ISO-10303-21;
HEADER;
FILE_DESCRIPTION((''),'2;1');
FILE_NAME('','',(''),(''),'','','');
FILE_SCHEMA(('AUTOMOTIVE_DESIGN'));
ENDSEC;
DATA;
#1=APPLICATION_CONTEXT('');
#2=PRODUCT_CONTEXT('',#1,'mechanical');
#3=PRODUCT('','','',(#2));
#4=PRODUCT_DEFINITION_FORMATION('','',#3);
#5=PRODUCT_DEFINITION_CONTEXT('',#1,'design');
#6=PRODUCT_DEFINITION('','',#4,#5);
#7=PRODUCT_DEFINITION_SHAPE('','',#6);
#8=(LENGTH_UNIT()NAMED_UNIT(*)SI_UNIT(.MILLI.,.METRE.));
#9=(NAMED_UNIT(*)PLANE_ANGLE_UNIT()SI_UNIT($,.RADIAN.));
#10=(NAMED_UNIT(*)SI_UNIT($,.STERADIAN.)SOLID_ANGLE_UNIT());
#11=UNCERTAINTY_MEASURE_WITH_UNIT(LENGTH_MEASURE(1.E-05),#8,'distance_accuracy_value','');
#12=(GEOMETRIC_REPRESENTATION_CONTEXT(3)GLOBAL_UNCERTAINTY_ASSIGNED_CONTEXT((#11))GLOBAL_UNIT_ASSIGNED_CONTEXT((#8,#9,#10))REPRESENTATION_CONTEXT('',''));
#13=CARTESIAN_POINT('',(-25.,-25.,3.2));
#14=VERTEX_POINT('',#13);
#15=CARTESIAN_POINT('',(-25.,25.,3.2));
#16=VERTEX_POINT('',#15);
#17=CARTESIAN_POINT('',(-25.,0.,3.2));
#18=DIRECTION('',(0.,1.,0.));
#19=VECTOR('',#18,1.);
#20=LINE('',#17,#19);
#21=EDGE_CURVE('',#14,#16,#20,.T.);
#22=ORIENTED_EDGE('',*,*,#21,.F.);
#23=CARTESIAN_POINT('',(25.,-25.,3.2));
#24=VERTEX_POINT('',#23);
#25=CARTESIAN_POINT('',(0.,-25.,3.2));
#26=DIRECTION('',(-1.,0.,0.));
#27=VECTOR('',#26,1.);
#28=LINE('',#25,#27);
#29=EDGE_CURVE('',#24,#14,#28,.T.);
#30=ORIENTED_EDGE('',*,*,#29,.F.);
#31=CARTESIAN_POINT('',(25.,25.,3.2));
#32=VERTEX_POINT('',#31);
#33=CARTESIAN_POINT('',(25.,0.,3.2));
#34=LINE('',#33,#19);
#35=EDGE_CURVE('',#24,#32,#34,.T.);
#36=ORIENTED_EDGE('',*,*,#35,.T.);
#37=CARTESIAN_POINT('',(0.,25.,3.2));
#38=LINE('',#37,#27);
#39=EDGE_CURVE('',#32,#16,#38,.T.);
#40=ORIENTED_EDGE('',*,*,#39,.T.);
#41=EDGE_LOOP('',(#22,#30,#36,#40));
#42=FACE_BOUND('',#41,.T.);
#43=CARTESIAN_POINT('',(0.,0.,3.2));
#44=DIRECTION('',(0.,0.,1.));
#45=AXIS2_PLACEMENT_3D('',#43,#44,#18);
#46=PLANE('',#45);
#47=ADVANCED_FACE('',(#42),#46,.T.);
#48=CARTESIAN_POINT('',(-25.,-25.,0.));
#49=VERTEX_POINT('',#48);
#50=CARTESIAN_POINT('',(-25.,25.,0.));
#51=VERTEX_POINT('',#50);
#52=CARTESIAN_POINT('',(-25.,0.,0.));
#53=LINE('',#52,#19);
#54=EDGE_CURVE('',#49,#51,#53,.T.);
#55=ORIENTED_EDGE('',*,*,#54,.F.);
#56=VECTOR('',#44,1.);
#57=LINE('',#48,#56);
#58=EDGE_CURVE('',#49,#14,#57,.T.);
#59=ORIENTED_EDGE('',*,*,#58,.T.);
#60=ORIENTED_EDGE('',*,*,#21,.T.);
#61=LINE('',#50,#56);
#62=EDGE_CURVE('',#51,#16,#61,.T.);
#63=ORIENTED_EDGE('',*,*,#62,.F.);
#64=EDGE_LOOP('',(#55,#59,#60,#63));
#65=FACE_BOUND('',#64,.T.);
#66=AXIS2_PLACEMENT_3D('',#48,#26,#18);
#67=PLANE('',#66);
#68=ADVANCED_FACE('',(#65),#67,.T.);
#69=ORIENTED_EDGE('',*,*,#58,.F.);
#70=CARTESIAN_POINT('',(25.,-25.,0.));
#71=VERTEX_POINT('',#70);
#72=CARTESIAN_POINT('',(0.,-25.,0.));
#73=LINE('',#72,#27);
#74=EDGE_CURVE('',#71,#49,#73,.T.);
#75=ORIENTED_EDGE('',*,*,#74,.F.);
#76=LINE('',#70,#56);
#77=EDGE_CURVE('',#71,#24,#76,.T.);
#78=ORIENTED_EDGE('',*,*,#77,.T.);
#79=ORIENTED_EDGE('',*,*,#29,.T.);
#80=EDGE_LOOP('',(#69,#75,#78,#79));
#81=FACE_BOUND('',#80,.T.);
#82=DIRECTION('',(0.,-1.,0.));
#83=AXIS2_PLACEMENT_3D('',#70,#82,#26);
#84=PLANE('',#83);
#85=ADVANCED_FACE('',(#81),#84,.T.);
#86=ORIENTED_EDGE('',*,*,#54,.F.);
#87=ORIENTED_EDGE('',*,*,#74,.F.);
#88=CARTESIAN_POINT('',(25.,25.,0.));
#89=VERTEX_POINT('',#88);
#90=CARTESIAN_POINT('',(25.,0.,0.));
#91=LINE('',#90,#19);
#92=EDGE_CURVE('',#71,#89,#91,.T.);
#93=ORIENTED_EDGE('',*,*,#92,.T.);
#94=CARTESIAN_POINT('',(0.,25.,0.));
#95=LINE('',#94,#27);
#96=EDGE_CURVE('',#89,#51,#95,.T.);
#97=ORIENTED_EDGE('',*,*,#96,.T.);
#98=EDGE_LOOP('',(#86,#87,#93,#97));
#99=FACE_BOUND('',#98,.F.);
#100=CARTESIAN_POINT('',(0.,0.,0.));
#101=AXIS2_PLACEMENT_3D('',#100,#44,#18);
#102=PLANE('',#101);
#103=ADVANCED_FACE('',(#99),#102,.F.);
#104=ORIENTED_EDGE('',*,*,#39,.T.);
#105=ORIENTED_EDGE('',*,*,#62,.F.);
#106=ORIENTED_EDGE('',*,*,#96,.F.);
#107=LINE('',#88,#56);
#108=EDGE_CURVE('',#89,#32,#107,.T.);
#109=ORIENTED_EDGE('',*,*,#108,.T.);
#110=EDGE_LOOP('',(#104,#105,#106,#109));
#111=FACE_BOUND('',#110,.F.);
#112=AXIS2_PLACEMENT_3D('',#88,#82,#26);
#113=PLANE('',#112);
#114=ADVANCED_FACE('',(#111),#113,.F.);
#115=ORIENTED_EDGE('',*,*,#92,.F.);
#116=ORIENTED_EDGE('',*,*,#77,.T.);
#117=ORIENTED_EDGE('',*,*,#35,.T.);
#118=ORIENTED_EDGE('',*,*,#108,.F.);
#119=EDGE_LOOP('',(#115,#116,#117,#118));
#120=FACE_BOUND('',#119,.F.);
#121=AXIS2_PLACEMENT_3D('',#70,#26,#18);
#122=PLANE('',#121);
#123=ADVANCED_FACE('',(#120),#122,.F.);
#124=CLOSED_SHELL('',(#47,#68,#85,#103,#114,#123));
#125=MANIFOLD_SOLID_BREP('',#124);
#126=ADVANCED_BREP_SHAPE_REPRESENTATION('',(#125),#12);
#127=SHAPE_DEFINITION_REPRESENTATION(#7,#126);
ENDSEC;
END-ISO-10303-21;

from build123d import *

# Parameters (mm, degrees)
SKETCH1_W           = 50
SKETCH1_H           = 50
BOSS_EXTRUDE1_DEPTH = 3.2


with BuildPart() as part:
    # Sketch1 → Boss-Extrude1 (new body)
    with BuildSketch(Plane(origin=(0, 0, 0), x_dir=(0, 1, 0), z_dir=(0, 0, 1))):
        Rectangle(SKETCH1_W, SKETCH1_H)
    extrude(amount=BOSS_EXTRUDE1_DEPTH)


solid = part.part
